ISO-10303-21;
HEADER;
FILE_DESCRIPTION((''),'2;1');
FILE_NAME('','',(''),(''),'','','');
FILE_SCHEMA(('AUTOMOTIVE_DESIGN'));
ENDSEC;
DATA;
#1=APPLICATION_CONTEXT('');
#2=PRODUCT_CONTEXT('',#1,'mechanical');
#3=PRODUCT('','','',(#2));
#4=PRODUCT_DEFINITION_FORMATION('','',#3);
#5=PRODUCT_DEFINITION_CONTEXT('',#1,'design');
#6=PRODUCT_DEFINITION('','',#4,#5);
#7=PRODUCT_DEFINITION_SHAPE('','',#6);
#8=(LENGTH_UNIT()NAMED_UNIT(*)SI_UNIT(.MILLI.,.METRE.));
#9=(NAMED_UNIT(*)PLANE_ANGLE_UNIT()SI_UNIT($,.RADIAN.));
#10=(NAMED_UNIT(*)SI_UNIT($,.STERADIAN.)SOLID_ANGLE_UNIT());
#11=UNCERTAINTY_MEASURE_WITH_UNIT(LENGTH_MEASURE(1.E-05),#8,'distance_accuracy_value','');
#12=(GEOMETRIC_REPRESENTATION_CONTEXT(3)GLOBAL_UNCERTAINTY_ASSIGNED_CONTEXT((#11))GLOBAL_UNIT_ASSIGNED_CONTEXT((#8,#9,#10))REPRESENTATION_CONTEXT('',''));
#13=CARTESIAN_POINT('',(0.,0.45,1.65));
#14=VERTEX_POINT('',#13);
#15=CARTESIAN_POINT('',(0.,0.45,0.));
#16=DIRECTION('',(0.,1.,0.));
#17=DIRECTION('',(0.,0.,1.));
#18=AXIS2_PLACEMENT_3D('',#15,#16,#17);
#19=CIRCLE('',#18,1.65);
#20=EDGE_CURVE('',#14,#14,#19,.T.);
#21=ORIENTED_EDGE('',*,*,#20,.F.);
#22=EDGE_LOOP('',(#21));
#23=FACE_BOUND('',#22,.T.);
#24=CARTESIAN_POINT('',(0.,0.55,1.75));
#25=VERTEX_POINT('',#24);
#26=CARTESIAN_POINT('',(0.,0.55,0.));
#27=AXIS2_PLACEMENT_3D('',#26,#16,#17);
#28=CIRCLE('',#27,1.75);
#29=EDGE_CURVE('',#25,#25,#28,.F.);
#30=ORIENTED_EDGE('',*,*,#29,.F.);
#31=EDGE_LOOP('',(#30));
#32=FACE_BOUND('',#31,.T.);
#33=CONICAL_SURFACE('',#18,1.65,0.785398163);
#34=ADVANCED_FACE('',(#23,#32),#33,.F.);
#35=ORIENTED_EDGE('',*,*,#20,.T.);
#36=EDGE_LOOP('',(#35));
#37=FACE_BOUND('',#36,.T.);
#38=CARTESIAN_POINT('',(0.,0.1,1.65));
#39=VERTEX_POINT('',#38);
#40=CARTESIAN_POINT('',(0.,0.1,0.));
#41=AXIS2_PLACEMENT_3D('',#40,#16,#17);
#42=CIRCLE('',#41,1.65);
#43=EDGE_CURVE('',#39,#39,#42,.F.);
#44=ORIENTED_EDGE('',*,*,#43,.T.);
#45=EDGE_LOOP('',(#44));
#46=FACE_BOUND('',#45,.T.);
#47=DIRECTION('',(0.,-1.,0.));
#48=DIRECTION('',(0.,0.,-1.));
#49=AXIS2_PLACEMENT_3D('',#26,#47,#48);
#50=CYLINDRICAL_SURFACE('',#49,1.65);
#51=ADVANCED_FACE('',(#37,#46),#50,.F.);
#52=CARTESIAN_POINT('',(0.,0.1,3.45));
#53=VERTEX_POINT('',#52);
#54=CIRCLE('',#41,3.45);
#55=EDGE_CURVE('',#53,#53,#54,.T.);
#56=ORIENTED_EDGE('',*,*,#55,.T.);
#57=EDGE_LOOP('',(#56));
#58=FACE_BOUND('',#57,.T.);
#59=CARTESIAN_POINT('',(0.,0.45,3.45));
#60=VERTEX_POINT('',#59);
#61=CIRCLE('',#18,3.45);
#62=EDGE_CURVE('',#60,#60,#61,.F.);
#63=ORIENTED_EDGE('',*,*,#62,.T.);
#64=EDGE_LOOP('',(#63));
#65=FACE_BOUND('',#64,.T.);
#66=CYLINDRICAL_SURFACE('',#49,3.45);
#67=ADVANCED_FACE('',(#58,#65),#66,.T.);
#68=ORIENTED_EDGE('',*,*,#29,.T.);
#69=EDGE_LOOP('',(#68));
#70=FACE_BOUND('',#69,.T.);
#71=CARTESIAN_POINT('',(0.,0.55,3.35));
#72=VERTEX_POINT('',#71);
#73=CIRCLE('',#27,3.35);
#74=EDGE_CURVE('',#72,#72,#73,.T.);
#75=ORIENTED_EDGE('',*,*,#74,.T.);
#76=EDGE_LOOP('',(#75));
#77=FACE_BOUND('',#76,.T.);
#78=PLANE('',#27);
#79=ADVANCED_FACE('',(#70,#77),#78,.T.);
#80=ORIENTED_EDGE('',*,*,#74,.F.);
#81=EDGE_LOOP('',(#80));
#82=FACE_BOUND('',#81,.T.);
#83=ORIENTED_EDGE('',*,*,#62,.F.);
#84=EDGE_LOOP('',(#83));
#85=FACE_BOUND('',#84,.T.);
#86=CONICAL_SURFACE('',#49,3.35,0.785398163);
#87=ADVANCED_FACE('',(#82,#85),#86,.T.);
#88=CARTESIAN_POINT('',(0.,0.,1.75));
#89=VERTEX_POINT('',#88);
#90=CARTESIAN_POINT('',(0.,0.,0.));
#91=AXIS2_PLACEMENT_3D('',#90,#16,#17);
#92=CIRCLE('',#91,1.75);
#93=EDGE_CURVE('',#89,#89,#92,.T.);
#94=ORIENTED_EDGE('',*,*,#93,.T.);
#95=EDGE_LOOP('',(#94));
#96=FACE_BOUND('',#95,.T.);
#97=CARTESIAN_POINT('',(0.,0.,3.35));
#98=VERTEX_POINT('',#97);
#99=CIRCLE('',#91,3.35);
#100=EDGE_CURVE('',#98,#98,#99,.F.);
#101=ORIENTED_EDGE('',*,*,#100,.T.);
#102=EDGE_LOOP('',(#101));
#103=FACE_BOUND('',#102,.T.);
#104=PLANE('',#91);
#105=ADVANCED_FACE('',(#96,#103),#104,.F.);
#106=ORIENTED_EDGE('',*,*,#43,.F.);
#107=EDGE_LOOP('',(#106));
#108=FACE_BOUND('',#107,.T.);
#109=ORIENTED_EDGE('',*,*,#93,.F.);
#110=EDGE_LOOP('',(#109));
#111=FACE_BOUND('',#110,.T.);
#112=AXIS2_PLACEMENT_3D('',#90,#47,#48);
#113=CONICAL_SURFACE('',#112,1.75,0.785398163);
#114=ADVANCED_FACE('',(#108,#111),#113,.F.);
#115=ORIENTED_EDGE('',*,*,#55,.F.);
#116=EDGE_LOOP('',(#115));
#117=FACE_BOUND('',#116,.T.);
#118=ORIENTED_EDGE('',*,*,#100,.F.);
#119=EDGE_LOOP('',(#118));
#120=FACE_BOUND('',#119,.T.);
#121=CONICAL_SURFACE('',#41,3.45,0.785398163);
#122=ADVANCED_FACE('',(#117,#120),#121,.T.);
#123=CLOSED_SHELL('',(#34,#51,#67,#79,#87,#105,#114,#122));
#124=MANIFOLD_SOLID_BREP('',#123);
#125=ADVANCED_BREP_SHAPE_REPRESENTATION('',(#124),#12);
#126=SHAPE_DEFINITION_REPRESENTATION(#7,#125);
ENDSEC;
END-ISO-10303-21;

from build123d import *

# Parameters (mm, degrees)
SKIZZE1_R                       = 3.45
SKIZZE1_R_2                     = 1.65
AUFSATZ_LINEAR_AUSTRAGEN1_DEPTH = 0.55
FASE1_SIZE                      = 0.1


with BuildPart() as part:
    # Skizze1 → Aufsatz-Linear austragen1 (new body)
    with BuildSketch(Plane(origin=(0, 0, 0), x_dir=(1, 0, 0), z_dir=(0, 1, 0))):
        Circle(SKIZZE1_R)
        Circle(SKIZZE1_R_2, mode=Mode.SUBTRACT)
    extrude(amount=AUFSATZ_LINEAR_AUSTRAGEN1_DEPTH)

    # Fase1
    fase1_edges = [part.edges().sort_by_distance(p)[0] for p in [
        (-3.45, 0, 0),
        (-3.45, 0.55, 0),
        (-1.65, 0, 0),
        (-1.65, 0.55, 0),
    ]]
    chamfer(fase1_edges, length=FASE1_SIZE)


solid = part.part
